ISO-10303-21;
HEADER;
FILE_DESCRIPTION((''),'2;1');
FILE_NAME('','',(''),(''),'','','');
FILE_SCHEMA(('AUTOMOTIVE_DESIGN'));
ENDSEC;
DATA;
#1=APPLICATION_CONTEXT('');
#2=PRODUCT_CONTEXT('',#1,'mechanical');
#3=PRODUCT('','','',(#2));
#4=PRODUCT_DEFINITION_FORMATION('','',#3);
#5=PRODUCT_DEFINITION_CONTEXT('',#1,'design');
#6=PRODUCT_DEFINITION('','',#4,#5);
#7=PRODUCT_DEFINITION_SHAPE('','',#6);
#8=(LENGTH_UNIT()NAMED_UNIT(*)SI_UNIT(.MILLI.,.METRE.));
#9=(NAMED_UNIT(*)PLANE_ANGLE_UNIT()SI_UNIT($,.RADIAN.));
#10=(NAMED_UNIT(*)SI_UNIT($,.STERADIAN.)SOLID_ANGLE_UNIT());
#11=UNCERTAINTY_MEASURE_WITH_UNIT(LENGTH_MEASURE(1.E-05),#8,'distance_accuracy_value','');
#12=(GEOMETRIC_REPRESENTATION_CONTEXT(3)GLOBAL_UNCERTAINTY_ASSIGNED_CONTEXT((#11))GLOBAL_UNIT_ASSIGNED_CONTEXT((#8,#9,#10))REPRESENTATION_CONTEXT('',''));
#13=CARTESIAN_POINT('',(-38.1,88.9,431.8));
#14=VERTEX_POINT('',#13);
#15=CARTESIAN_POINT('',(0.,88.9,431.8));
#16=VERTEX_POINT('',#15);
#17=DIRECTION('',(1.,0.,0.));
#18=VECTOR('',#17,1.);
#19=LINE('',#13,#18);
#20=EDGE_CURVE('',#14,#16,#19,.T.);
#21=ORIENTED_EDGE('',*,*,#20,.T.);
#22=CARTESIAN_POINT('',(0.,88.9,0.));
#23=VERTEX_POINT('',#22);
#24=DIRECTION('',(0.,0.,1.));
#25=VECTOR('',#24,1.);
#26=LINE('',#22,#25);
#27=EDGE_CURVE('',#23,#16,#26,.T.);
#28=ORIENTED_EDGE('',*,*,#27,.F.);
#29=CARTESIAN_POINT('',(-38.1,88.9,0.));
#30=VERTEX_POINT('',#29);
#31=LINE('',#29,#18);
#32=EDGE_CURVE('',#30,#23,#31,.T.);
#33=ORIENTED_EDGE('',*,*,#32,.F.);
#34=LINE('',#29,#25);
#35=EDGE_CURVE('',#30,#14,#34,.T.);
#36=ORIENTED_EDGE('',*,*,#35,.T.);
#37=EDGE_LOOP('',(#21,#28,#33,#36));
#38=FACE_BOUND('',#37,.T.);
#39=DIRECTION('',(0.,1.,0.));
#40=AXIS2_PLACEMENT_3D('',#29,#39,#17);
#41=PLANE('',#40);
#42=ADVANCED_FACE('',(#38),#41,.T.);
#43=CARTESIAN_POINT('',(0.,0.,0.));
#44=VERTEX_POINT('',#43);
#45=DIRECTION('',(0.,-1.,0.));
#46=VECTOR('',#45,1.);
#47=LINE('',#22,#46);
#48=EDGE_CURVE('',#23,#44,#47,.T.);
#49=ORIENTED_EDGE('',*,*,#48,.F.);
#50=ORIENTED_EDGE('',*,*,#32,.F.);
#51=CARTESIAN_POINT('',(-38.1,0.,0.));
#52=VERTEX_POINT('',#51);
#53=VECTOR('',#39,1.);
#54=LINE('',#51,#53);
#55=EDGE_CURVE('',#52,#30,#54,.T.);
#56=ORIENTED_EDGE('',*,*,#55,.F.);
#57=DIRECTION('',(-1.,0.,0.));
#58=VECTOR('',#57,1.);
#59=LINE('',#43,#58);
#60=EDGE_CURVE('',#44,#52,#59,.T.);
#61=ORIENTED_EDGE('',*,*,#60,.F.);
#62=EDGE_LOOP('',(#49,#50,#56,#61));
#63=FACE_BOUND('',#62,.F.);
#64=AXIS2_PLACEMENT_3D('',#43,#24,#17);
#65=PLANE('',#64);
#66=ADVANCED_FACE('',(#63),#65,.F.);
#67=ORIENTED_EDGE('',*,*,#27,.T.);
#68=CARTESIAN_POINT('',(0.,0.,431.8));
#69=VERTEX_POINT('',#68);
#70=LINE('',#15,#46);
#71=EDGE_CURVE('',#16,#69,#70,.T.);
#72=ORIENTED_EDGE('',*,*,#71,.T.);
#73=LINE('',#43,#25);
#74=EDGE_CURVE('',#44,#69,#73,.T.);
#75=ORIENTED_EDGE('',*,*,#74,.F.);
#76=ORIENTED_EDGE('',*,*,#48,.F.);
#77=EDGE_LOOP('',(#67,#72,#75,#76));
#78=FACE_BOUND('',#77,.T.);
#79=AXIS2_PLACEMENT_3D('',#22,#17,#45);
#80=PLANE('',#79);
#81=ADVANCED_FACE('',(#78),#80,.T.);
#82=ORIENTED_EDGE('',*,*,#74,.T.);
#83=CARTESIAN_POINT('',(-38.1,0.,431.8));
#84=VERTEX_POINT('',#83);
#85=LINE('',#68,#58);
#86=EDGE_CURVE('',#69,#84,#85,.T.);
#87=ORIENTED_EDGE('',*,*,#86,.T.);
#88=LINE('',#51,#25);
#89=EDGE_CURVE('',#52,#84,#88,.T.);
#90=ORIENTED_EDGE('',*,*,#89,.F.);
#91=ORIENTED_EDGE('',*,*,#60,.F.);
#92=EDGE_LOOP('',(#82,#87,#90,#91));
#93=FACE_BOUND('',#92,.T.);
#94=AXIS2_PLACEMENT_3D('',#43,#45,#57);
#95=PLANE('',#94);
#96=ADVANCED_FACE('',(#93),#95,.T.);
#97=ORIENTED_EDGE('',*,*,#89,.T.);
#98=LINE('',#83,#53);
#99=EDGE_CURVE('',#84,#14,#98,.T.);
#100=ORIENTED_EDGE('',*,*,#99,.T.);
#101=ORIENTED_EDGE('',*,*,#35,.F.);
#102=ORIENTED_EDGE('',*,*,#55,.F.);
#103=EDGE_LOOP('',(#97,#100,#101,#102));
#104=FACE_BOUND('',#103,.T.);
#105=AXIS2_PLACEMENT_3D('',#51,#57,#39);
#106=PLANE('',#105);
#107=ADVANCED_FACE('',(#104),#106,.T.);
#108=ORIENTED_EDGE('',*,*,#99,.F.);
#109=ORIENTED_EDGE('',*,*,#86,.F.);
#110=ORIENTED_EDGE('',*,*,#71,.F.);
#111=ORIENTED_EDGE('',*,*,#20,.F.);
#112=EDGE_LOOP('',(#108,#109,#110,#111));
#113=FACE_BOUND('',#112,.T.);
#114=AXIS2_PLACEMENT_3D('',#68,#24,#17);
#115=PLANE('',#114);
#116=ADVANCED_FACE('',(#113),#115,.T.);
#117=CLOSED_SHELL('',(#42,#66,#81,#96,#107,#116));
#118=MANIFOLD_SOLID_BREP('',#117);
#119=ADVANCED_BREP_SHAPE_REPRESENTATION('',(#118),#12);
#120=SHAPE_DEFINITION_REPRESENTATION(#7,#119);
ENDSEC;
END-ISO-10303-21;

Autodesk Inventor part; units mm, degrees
ref_plane "YZ Plane" through (0, 0, 0) normal (1, 0, 0) x (0, 1, 0)
ref_plane "XZ Plane" through (0, 0, 0) normal (0, 1, 0) x (-1, 0, 0)
ref_plane "XY Plane" through (0, 0, 0) normal (0, 0, 1) x (1, 0, 0)
sketch "Sketch1" plane through (0, 0, 0) normal (0, 0, 1) x (1, 0, 0)
  line L0 (0, 0) -> (-38.1, 0)
  line L1 (-38.1, 0) -> (-38.1, 88.9)
  line L2 (-38.1, 88.9) -> (0, 88.9)
  line L3 (0, 88.9) -> (0, 0)
  dimension "d0" = 38.1
  dimension "d1" = 88.9
extrude "Extrusion1" add sketch "Sketch1" along normal blind 431.8
properties part number "Joist, Side" material "Wood"
